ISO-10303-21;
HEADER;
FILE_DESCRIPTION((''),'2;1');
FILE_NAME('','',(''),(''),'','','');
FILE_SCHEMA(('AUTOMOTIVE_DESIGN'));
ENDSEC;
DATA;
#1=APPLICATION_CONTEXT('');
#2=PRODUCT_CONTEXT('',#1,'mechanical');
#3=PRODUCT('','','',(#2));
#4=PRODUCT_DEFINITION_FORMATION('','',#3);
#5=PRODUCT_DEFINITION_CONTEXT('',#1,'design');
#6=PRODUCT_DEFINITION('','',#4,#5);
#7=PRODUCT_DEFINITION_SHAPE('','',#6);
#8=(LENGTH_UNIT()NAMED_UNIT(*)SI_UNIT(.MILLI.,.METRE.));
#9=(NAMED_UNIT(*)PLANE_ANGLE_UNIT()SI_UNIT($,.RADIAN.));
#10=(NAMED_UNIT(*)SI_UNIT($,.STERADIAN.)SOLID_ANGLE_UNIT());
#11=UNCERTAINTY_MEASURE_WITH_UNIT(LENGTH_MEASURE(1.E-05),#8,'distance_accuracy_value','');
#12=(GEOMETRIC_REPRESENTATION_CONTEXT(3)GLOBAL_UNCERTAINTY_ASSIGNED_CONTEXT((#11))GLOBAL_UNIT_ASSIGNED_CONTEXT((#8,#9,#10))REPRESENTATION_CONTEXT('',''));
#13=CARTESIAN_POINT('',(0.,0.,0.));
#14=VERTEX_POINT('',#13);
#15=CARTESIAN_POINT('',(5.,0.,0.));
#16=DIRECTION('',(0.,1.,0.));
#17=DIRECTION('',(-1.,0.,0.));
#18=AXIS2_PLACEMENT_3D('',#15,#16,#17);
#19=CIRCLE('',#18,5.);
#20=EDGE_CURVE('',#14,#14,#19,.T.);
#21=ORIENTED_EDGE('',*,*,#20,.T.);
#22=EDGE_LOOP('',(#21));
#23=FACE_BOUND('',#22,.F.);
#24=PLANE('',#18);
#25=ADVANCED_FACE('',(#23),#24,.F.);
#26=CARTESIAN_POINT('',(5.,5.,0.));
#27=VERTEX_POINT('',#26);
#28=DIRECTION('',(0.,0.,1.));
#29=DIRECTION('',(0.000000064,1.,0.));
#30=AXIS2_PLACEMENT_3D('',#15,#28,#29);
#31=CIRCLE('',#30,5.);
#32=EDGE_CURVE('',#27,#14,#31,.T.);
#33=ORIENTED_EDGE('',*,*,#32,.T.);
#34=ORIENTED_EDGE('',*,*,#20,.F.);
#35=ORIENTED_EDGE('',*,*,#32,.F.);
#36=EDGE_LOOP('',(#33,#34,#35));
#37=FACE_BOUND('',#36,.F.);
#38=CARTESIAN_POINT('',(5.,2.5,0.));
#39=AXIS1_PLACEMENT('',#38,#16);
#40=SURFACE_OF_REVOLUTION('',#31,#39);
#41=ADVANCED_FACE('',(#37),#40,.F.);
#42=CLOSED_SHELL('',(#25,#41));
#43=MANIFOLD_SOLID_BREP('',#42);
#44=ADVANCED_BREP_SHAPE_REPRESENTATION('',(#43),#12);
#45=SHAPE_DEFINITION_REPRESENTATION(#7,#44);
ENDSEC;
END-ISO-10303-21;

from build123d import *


with BuildPart() as f1:
    # F0 (on Top) → F1 (revolve)
    with BuildSketch(Plane.XY):
        with BuildLine():
            ThreePointArc((5, 5), (1.464466, 3.535534), (0, 0))
            Line((0, 0), (5, 0))
            Line((5, 0), (5, 5))
        make_face()
    revolve(axis=Axis((5, 2.5, 0), (0, 1, 0)))


solid = f1.part
